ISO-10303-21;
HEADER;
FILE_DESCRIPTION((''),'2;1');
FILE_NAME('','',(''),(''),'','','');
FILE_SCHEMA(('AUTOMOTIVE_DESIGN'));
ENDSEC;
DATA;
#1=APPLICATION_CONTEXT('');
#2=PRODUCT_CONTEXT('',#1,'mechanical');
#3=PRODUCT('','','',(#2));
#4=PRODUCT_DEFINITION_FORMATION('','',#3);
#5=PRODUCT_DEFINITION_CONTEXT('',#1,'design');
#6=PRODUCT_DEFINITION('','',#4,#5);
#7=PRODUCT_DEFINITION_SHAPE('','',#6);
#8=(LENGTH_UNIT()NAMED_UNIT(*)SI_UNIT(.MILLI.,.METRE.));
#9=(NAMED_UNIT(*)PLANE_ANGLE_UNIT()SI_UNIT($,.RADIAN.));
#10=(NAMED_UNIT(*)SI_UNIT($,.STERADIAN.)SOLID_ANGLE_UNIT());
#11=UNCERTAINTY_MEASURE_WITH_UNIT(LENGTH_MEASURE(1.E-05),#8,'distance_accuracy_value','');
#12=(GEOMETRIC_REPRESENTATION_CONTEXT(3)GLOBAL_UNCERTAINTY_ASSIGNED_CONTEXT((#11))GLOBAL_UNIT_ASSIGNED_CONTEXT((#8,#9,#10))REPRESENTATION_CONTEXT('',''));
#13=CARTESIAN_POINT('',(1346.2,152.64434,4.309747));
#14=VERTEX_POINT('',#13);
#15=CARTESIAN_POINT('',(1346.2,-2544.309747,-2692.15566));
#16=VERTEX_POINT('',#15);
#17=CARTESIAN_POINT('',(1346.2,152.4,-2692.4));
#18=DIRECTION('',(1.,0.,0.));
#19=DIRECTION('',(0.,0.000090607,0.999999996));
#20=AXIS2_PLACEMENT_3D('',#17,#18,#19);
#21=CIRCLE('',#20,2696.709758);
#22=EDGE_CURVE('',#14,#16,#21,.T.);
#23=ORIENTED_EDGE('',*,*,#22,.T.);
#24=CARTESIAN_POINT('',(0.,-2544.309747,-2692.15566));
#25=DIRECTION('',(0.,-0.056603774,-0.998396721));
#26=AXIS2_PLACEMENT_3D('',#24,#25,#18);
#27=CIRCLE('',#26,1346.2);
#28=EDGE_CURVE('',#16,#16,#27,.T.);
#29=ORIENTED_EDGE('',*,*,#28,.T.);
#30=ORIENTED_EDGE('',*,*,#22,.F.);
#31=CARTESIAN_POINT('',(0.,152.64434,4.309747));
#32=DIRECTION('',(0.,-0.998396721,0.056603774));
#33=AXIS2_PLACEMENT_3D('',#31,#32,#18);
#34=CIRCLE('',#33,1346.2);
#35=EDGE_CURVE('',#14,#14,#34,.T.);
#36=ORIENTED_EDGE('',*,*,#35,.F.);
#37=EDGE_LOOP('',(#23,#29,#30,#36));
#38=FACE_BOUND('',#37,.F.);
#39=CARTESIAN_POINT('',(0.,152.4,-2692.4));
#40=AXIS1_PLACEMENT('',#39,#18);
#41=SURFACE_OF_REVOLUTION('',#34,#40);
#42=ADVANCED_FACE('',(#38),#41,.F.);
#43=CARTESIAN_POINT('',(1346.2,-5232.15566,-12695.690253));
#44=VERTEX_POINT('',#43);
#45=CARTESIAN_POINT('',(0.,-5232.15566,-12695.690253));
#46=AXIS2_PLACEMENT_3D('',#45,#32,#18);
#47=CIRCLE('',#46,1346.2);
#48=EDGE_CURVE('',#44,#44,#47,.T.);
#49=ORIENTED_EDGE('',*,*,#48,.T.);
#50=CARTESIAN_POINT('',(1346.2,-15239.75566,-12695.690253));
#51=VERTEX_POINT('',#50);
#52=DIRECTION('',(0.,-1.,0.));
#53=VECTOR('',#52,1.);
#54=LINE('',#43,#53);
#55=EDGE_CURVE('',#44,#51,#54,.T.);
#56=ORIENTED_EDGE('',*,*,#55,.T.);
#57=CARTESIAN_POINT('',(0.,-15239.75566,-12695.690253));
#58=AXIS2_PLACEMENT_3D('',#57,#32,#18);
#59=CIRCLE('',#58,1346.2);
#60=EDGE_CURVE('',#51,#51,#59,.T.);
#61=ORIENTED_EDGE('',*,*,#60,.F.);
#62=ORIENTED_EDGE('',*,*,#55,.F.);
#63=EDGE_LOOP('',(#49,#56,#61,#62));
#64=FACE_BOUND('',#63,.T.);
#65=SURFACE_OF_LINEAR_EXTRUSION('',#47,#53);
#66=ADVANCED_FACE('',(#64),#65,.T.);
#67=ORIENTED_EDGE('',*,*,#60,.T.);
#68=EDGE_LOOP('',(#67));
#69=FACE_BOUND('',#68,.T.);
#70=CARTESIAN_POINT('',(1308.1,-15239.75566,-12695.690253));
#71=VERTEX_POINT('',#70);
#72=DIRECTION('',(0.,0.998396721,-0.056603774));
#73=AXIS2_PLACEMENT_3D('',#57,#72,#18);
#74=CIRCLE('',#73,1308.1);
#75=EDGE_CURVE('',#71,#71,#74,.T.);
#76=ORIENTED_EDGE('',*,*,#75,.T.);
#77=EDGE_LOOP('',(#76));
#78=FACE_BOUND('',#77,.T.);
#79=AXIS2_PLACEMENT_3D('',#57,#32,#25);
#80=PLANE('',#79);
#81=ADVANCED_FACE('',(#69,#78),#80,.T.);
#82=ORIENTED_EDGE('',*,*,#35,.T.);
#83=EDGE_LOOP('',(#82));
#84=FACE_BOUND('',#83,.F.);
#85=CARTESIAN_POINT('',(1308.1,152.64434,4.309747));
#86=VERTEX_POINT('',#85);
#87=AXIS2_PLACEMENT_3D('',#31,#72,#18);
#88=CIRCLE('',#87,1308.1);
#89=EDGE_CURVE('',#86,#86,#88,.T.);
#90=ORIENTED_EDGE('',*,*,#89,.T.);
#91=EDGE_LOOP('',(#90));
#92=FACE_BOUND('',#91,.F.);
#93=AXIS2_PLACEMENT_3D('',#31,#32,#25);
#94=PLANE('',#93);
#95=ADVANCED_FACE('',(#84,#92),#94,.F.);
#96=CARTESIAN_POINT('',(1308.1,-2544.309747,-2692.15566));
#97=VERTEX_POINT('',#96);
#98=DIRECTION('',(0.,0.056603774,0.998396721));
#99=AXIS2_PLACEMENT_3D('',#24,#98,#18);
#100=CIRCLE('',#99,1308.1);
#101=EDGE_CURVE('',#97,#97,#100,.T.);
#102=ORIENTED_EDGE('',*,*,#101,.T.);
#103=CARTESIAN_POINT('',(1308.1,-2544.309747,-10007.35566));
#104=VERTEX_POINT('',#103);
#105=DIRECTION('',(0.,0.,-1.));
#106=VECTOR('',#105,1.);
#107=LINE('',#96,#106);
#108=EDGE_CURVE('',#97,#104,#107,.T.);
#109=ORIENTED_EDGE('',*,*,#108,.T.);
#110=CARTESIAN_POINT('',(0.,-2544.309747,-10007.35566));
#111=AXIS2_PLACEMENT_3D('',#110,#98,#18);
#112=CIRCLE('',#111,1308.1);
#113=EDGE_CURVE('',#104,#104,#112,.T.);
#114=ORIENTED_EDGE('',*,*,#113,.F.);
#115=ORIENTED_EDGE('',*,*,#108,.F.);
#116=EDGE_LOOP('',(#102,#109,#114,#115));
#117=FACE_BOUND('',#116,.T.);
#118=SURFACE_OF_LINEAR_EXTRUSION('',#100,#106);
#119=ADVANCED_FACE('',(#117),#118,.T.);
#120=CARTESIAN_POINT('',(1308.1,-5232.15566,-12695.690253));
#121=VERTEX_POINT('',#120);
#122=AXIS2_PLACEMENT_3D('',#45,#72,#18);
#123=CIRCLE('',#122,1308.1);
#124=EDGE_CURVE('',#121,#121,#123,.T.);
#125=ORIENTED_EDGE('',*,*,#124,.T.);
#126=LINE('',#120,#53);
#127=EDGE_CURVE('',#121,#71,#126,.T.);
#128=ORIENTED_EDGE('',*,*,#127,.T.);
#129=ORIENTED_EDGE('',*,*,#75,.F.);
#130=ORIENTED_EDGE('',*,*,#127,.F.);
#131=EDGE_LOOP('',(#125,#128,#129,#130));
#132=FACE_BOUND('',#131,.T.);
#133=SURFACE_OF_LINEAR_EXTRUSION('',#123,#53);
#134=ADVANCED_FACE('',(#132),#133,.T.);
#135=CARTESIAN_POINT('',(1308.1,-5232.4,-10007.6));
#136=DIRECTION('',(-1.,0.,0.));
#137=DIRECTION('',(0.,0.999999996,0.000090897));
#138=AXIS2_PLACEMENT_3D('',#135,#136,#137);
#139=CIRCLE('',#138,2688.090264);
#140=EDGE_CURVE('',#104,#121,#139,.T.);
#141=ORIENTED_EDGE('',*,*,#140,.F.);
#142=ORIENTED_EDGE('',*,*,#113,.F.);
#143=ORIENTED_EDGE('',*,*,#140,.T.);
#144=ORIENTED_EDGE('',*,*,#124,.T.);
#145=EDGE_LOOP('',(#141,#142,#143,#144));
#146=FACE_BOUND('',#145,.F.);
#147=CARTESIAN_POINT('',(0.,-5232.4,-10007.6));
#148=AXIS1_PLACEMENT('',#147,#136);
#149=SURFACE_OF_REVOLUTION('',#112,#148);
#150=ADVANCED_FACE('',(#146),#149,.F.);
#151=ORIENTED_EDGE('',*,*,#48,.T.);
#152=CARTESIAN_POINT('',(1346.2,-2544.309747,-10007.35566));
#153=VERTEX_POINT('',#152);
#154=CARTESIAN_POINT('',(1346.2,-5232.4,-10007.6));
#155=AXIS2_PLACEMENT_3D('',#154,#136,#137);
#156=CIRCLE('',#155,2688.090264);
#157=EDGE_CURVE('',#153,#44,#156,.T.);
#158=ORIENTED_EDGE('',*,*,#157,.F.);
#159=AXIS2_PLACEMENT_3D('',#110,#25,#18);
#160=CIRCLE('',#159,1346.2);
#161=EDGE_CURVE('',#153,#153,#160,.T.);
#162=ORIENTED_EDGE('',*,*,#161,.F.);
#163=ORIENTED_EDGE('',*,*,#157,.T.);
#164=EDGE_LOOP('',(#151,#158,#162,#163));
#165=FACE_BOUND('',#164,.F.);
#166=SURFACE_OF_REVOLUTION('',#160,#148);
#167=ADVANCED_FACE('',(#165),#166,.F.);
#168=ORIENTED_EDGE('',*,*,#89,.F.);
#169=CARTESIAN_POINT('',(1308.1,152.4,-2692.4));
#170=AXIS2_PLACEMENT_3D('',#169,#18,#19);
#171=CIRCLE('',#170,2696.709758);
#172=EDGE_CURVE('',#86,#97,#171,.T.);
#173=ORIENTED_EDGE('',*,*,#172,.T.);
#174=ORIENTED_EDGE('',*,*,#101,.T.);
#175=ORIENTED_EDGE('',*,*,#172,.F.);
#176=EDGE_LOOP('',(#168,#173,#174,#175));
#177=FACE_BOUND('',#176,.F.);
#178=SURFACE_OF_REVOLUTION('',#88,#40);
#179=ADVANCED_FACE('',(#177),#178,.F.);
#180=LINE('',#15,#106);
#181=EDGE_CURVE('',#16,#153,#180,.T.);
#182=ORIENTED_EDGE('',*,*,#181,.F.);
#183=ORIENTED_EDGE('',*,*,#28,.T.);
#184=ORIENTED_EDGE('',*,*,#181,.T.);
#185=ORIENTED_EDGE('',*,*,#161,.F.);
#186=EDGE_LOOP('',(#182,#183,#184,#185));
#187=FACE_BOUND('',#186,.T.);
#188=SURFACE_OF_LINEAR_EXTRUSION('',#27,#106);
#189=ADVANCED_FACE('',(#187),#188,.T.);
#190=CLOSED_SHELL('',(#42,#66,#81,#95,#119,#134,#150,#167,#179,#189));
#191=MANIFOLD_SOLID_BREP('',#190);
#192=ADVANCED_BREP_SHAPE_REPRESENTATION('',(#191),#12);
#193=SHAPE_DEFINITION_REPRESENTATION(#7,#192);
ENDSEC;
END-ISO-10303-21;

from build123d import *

# Parameters (mm, degrees)
F0_R   = 1346.2
F0_R_2 = 1308.1


with BuildPart() as f2:
    # F2: sweep along a path in F1
    with BuildLine(Plane.YZ) as f2_path:
        ThreePointArc((152.4, 0), (-1751.4142976667, -788.5857023333), (-2540, -2692.4))
        Line((-2540, -2692.4), (-2540, -10007.6))
        ThreePointArc((-2540, -10007.6), (-3328.5857023333, -11911.4142976667), (-5232.4, -12700))
        Line((-5232.4, -12700), (-15240, -12700))
    # F0 (on Front) → F2 (sweep)
    with BuildSketch(Plane.XZ):
        Circle(F0_R)
        Circle(F0_R_2, mode=Mode.SUBTRACT)
    sweep(path=f2_path.line)


solid = f2.part
